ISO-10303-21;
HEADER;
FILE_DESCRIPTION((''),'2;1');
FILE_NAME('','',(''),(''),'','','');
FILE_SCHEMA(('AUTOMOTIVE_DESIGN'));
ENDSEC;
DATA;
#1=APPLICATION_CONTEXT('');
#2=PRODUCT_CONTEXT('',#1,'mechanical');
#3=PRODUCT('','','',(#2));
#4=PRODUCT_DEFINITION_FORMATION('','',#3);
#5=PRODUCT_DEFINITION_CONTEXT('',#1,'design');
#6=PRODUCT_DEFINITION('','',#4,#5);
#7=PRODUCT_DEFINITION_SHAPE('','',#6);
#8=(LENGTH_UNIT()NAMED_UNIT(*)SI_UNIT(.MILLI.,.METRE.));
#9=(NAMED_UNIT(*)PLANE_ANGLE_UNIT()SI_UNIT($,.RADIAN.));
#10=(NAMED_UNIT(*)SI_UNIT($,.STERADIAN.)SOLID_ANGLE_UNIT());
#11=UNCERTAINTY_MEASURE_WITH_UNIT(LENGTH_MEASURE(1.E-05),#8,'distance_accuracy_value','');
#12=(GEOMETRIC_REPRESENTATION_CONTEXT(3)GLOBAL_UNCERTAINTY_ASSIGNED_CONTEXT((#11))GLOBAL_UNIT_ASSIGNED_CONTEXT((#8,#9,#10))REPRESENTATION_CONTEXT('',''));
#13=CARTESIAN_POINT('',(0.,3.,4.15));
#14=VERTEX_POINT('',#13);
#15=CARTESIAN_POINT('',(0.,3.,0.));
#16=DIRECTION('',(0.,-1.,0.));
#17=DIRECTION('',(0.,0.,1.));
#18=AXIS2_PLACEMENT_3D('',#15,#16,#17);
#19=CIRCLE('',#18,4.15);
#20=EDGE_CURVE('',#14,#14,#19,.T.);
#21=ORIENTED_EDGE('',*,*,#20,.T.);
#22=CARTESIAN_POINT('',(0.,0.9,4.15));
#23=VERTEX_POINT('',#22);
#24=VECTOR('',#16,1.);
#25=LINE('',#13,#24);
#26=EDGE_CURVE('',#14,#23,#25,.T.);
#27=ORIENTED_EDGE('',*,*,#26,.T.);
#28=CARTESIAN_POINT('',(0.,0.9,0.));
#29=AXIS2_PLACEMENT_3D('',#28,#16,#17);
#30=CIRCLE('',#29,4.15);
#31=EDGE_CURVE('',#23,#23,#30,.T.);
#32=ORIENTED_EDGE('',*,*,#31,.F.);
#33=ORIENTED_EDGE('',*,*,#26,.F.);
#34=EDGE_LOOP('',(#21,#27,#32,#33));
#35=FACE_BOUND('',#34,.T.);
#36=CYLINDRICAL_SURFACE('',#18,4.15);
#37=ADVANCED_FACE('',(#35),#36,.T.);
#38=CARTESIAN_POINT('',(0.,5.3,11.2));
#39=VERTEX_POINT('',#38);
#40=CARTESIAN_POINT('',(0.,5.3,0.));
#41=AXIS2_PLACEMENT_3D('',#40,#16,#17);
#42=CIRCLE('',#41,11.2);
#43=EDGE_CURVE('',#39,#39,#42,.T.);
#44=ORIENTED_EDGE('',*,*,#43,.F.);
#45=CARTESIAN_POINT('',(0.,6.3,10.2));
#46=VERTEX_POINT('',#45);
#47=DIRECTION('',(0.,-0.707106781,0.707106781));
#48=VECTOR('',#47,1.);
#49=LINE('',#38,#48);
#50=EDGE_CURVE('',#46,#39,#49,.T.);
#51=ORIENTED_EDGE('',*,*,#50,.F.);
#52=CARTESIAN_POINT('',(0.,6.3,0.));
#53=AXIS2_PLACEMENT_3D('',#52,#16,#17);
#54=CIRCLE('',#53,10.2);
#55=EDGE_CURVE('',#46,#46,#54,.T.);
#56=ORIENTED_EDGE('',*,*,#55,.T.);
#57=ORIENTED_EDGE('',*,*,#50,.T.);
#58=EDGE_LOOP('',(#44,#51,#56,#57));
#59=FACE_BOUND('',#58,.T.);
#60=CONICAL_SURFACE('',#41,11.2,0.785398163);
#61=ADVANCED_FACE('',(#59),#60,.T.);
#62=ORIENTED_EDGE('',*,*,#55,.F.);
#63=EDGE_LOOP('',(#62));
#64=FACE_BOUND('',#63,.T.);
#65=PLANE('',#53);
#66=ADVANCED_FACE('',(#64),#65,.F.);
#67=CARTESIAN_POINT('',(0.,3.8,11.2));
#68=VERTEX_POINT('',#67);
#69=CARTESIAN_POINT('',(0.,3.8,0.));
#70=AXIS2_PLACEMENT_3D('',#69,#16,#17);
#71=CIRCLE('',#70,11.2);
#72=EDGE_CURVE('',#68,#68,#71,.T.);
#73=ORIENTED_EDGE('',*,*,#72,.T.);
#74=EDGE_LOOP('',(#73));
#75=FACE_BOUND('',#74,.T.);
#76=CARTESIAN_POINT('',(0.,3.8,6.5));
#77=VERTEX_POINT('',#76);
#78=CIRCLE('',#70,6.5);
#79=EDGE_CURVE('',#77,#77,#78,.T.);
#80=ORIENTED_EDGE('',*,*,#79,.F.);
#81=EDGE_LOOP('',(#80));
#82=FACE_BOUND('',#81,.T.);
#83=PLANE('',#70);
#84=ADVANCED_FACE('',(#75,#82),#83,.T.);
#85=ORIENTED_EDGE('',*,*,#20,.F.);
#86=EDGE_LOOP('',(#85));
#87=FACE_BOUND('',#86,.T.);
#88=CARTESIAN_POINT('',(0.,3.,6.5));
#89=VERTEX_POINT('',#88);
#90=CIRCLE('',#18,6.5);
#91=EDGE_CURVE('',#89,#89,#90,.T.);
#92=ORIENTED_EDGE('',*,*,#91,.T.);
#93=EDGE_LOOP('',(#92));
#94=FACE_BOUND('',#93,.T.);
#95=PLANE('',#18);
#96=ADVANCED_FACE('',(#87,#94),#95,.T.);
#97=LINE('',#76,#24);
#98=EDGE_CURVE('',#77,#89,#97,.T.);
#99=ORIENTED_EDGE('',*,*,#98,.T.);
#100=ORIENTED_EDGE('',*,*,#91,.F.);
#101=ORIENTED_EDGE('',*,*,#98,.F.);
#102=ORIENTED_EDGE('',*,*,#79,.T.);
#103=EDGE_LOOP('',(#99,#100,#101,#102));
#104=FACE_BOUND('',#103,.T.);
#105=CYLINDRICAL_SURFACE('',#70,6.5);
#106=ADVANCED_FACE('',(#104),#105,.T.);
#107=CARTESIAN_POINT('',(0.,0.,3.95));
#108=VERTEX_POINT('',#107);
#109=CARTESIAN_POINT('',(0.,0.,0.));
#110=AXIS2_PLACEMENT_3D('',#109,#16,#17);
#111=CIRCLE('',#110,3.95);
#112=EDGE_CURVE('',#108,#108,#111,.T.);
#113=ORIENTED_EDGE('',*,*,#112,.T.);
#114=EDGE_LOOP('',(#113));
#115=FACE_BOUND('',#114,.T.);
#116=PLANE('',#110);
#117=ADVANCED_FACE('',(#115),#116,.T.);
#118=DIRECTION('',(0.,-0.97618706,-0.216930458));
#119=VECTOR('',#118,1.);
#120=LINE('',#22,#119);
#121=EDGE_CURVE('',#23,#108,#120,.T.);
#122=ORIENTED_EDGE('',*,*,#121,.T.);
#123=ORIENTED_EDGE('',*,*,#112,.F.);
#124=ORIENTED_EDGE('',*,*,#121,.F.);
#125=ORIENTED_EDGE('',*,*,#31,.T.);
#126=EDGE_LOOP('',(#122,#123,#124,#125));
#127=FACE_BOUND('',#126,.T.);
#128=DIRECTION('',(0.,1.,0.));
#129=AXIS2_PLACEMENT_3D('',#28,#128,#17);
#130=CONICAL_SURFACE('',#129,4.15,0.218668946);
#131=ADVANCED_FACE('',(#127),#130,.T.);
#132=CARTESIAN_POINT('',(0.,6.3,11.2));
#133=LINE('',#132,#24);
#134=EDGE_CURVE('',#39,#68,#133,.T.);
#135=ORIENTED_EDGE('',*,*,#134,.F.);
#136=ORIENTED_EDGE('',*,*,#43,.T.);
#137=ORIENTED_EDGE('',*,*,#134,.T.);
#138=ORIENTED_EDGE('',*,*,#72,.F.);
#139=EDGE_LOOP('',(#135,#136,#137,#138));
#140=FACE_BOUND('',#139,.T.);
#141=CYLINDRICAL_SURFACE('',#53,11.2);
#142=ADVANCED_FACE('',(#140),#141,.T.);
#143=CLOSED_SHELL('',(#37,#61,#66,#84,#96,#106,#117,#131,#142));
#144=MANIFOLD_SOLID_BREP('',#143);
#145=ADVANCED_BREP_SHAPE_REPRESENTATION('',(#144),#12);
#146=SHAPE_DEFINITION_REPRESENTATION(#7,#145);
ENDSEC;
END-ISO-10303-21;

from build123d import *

# Parameters (mm, degrees)
F2_SIZE = 1


with BuildPart() as f1:
    # F0 (on Right) → F1 (revolve)
    with BuildSketch(Plane.YZ):
        Polygon((0, 0), (6.3, 0), (6.3, 11.2), (3.8, 11.2), (3.8, 6.5), (3, 6.5), (3, 4.15), (0.9, 4.15), (0, 3.95), align=None)
    revolve(axis=Axis((0, 3.15, 0), (0, -1, 0)))

    # F2
    f2_edges = [f1.edges().sort_by_distance(p)[0] for p in [
        (0, 6.3, -11.2),
    ]]
    chamfer(f2_edges, length=F2_SIZE)


solid = f1.part
